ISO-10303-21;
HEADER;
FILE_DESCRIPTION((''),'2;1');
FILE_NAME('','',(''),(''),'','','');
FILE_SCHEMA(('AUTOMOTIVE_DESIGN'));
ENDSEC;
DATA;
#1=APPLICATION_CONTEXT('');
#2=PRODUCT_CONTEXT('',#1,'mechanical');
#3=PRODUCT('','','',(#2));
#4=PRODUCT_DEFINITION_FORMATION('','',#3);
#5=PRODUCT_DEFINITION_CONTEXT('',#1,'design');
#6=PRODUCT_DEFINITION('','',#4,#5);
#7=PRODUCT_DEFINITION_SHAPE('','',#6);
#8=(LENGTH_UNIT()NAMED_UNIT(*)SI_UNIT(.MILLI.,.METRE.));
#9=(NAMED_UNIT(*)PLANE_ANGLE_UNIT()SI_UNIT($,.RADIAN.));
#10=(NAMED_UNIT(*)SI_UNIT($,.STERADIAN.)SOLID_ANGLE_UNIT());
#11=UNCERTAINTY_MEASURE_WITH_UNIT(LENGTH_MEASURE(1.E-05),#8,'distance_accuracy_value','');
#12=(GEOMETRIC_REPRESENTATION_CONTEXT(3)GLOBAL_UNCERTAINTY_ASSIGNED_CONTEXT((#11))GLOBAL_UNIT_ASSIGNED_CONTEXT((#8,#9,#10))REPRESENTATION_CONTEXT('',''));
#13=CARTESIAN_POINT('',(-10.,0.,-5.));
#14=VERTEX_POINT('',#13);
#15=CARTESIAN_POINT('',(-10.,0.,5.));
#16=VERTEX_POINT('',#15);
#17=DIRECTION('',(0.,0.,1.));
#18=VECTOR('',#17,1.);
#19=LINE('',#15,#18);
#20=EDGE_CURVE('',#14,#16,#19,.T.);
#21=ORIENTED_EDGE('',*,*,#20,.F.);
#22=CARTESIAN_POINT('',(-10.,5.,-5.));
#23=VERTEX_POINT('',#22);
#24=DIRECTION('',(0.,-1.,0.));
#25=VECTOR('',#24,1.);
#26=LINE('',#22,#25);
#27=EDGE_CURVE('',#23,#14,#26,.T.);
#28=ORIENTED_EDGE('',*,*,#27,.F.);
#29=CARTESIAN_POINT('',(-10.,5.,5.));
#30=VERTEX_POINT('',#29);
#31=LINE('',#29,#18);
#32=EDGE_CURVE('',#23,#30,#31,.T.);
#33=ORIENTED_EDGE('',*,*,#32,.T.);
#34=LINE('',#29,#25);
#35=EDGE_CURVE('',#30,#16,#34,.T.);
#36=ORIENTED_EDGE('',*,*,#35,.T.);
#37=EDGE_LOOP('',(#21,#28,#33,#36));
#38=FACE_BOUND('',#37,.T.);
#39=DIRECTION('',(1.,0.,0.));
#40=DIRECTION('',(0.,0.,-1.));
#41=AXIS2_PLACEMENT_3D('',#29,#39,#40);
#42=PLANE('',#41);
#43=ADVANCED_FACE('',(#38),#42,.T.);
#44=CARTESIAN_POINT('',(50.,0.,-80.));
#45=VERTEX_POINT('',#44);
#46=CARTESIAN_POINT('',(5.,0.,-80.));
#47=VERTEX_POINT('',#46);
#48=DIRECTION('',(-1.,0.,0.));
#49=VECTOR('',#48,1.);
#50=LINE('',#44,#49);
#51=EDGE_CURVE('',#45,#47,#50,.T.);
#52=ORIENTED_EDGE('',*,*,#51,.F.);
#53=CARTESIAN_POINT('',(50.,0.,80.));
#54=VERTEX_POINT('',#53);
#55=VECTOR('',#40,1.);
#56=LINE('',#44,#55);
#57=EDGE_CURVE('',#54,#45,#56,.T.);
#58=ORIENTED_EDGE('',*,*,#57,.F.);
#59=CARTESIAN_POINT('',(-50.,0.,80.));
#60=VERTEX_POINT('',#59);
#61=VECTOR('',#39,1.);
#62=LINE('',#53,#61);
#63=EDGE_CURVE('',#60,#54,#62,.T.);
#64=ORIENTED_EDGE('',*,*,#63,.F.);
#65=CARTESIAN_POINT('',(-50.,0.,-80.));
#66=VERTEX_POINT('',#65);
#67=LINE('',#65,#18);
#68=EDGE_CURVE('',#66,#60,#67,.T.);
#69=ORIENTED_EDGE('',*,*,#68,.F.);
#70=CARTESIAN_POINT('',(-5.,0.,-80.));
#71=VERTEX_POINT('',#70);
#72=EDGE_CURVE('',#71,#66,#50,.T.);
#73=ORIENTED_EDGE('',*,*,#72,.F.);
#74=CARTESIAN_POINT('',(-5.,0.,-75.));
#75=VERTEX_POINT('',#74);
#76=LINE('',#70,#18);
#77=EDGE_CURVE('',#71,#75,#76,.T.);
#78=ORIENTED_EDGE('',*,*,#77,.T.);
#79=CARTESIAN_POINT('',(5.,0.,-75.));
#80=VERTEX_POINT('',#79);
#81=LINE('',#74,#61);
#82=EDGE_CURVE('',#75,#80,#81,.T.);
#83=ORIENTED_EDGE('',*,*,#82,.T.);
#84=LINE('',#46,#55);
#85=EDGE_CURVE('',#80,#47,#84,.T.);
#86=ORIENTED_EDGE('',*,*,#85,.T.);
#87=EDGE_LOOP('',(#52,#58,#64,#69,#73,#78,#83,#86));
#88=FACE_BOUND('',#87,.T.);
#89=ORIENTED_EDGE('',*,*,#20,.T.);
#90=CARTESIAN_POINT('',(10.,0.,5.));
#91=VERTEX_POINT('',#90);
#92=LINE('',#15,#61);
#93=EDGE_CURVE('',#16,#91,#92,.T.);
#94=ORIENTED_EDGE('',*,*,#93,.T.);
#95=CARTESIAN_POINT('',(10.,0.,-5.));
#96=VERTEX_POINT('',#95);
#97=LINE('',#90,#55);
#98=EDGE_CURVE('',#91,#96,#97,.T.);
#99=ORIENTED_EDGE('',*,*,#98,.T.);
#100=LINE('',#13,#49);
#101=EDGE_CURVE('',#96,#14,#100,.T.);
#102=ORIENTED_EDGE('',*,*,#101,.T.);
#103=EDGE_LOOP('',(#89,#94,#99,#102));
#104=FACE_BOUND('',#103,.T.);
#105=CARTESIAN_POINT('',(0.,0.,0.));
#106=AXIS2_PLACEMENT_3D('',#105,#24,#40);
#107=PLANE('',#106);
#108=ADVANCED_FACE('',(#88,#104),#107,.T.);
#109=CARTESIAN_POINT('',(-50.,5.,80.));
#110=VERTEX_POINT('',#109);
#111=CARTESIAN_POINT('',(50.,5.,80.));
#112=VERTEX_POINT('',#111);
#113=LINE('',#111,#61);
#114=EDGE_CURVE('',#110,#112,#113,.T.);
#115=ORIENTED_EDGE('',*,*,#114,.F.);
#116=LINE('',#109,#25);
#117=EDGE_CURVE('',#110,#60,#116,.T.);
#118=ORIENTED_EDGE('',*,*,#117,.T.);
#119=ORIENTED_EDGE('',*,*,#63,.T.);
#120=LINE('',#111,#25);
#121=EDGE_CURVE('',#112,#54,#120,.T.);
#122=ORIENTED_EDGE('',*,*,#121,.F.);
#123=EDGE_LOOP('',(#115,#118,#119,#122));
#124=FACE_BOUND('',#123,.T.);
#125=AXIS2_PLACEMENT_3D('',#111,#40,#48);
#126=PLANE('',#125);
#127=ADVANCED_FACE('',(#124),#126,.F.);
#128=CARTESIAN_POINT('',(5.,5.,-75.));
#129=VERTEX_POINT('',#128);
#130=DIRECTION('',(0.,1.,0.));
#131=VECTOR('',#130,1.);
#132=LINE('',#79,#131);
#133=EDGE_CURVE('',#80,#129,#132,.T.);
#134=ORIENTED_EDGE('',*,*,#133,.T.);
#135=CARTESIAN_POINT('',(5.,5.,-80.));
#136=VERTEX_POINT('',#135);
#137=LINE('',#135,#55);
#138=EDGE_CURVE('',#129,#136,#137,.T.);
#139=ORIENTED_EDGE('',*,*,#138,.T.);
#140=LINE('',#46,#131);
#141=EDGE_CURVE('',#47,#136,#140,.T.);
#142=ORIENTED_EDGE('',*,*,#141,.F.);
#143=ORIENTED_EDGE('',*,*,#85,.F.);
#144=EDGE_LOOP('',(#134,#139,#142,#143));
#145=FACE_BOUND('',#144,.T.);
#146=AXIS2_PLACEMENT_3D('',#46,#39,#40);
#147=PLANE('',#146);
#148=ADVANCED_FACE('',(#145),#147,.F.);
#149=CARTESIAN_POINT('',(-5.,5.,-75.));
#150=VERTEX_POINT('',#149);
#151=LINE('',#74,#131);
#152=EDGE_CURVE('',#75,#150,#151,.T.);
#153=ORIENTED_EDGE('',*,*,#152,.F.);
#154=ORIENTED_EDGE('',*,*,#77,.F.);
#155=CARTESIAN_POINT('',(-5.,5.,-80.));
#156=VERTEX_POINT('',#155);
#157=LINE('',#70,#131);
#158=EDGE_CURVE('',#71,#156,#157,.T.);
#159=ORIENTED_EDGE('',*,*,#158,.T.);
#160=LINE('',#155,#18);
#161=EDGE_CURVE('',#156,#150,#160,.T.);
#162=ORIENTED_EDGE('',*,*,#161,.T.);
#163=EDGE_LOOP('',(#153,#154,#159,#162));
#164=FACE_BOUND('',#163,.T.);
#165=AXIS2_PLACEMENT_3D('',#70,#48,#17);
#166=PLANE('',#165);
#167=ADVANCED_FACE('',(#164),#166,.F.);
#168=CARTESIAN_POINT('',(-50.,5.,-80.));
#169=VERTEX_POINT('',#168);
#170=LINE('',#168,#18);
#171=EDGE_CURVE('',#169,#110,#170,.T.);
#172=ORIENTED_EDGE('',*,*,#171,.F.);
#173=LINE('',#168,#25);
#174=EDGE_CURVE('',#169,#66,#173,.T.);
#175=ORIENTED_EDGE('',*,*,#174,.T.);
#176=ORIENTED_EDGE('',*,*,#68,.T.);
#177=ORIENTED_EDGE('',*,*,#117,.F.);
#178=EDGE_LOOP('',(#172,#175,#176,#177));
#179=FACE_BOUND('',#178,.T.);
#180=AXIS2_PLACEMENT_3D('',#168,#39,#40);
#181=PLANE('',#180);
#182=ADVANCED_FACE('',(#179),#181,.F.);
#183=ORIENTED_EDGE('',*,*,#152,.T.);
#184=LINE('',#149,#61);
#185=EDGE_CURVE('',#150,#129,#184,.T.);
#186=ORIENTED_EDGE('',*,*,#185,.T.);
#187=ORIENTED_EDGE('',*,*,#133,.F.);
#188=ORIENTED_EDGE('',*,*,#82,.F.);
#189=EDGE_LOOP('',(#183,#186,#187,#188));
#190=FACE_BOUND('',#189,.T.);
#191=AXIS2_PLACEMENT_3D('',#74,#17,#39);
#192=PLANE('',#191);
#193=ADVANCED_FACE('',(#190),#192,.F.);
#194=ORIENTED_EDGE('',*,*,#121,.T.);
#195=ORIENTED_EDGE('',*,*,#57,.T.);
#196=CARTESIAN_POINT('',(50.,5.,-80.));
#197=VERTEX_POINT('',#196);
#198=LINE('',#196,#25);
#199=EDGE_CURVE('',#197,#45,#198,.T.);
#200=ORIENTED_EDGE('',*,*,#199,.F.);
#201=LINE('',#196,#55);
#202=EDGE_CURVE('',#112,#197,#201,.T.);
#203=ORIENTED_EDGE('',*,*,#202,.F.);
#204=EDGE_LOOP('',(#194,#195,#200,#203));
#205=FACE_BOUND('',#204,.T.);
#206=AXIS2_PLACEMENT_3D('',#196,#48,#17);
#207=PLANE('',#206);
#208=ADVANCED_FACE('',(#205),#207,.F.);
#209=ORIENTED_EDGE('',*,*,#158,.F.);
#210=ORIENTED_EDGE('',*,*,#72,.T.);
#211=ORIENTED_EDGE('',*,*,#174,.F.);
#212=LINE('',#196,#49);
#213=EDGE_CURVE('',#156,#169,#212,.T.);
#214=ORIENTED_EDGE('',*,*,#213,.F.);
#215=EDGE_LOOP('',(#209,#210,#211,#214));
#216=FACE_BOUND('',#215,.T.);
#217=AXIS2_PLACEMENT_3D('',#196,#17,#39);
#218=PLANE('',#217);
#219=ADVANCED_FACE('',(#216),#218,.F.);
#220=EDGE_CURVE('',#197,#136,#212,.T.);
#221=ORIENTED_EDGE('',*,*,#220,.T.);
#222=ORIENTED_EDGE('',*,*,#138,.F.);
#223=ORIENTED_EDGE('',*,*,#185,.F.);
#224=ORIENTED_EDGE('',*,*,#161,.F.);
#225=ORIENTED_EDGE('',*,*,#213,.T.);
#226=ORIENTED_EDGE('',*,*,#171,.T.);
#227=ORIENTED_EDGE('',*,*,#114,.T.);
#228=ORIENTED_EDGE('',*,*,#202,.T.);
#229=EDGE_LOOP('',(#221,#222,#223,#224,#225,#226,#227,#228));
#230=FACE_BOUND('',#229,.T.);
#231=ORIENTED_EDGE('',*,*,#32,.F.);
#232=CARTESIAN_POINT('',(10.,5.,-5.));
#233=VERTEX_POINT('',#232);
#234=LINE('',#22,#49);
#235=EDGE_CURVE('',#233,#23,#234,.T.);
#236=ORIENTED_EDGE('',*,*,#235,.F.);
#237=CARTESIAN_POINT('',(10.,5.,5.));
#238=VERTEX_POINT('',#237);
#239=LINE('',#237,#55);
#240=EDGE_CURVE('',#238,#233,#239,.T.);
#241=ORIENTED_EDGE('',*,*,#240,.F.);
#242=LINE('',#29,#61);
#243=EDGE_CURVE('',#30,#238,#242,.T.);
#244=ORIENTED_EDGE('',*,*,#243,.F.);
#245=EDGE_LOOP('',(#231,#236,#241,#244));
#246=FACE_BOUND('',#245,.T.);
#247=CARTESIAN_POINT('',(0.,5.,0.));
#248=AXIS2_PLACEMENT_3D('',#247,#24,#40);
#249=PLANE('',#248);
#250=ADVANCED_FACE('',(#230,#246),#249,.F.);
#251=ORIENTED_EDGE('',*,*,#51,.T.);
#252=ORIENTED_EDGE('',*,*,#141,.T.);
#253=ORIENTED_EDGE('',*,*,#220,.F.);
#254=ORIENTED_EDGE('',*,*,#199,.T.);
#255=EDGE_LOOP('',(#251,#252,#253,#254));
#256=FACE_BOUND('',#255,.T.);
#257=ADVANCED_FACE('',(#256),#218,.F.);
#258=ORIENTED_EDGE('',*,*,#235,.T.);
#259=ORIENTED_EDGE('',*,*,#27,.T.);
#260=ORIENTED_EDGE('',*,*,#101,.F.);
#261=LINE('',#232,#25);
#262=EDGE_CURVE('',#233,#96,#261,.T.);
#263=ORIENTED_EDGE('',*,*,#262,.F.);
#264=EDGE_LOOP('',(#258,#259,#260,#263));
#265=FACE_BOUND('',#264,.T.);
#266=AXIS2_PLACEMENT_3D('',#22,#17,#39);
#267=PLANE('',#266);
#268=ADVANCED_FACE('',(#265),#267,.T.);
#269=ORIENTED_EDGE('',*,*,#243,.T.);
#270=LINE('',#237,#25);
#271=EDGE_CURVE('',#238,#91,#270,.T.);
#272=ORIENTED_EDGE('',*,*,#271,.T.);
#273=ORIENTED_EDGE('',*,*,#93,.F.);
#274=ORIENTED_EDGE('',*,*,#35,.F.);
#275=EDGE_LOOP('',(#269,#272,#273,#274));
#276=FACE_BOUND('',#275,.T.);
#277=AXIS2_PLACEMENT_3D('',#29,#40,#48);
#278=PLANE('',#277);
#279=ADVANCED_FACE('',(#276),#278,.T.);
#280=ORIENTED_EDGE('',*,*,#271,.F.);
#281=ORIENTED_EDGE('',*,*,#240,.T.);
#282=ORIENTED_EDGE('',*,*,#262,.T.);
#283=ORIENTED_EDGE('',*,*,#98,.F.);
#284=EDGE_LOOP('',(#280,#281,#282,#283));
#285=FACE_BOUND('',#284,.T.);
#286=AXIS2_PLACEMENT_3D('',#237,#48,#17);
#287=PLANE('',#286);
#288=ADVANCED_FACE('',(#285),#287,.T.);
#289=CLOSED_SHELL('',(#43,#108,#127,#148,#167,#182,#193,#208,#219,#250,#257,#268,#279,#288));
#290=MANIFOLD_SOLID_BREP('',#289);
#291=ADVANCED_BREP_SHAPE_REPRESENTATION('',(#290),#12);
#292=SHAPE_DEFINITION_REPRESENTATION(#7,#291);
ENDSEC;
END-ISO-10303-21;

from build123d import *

# Parameters (mm, degrees)
SKIZZE1_W                       = 100
SKIZZE1_H                       = 160
SKIZZE1_W_2                     = 20
SKIZZE1_H_2                     = 10
AUFSATZ_LINEAR_AUSTRAGEN1_DEPTH = 5
SKIZZE2_W                       = 10
SKIZZE2_H                       = 5
SCHNITT_LINEAR_AUSTRAGEN1_DEPTH = 95.472218138


with BuildPart() as part:
    # Skizze1 → Aufsatz-Linear austragen1 (new body)
    with BuildSketch(Plane(origin=(0, 0, 0), x_dir=(1, 0, 0), z_dir=(0, 1, 0))):
        Rectangle(SKIZZE1_W, SKIZZE1_H)
        Rectangle(SKIZZE1_W_2, SKIZZE1_H_2, mode=Mode.SUBTRACT)
    extrude(amount=AUFSATZ_LINEAR_AUSTRAGEN1_DEPTH)

    # Skizze2 → Schnitt-Linear austragen1 (cut, through all)
    with BuildSketch(Plane(origin=(0, 5, 0), x_dir=(1, 0, 0), z_dir=(0, 1, 0))):
        with Locations((0, 77.5)):
            Rectangle(SKIZZE2_W, SKIZZE2_H)
    extrude(amount=-SCHNITT_LINEAR_AUSTRAGEN1_DEPTH, mode=Mode.SUBTRACT)


solid = part.part
